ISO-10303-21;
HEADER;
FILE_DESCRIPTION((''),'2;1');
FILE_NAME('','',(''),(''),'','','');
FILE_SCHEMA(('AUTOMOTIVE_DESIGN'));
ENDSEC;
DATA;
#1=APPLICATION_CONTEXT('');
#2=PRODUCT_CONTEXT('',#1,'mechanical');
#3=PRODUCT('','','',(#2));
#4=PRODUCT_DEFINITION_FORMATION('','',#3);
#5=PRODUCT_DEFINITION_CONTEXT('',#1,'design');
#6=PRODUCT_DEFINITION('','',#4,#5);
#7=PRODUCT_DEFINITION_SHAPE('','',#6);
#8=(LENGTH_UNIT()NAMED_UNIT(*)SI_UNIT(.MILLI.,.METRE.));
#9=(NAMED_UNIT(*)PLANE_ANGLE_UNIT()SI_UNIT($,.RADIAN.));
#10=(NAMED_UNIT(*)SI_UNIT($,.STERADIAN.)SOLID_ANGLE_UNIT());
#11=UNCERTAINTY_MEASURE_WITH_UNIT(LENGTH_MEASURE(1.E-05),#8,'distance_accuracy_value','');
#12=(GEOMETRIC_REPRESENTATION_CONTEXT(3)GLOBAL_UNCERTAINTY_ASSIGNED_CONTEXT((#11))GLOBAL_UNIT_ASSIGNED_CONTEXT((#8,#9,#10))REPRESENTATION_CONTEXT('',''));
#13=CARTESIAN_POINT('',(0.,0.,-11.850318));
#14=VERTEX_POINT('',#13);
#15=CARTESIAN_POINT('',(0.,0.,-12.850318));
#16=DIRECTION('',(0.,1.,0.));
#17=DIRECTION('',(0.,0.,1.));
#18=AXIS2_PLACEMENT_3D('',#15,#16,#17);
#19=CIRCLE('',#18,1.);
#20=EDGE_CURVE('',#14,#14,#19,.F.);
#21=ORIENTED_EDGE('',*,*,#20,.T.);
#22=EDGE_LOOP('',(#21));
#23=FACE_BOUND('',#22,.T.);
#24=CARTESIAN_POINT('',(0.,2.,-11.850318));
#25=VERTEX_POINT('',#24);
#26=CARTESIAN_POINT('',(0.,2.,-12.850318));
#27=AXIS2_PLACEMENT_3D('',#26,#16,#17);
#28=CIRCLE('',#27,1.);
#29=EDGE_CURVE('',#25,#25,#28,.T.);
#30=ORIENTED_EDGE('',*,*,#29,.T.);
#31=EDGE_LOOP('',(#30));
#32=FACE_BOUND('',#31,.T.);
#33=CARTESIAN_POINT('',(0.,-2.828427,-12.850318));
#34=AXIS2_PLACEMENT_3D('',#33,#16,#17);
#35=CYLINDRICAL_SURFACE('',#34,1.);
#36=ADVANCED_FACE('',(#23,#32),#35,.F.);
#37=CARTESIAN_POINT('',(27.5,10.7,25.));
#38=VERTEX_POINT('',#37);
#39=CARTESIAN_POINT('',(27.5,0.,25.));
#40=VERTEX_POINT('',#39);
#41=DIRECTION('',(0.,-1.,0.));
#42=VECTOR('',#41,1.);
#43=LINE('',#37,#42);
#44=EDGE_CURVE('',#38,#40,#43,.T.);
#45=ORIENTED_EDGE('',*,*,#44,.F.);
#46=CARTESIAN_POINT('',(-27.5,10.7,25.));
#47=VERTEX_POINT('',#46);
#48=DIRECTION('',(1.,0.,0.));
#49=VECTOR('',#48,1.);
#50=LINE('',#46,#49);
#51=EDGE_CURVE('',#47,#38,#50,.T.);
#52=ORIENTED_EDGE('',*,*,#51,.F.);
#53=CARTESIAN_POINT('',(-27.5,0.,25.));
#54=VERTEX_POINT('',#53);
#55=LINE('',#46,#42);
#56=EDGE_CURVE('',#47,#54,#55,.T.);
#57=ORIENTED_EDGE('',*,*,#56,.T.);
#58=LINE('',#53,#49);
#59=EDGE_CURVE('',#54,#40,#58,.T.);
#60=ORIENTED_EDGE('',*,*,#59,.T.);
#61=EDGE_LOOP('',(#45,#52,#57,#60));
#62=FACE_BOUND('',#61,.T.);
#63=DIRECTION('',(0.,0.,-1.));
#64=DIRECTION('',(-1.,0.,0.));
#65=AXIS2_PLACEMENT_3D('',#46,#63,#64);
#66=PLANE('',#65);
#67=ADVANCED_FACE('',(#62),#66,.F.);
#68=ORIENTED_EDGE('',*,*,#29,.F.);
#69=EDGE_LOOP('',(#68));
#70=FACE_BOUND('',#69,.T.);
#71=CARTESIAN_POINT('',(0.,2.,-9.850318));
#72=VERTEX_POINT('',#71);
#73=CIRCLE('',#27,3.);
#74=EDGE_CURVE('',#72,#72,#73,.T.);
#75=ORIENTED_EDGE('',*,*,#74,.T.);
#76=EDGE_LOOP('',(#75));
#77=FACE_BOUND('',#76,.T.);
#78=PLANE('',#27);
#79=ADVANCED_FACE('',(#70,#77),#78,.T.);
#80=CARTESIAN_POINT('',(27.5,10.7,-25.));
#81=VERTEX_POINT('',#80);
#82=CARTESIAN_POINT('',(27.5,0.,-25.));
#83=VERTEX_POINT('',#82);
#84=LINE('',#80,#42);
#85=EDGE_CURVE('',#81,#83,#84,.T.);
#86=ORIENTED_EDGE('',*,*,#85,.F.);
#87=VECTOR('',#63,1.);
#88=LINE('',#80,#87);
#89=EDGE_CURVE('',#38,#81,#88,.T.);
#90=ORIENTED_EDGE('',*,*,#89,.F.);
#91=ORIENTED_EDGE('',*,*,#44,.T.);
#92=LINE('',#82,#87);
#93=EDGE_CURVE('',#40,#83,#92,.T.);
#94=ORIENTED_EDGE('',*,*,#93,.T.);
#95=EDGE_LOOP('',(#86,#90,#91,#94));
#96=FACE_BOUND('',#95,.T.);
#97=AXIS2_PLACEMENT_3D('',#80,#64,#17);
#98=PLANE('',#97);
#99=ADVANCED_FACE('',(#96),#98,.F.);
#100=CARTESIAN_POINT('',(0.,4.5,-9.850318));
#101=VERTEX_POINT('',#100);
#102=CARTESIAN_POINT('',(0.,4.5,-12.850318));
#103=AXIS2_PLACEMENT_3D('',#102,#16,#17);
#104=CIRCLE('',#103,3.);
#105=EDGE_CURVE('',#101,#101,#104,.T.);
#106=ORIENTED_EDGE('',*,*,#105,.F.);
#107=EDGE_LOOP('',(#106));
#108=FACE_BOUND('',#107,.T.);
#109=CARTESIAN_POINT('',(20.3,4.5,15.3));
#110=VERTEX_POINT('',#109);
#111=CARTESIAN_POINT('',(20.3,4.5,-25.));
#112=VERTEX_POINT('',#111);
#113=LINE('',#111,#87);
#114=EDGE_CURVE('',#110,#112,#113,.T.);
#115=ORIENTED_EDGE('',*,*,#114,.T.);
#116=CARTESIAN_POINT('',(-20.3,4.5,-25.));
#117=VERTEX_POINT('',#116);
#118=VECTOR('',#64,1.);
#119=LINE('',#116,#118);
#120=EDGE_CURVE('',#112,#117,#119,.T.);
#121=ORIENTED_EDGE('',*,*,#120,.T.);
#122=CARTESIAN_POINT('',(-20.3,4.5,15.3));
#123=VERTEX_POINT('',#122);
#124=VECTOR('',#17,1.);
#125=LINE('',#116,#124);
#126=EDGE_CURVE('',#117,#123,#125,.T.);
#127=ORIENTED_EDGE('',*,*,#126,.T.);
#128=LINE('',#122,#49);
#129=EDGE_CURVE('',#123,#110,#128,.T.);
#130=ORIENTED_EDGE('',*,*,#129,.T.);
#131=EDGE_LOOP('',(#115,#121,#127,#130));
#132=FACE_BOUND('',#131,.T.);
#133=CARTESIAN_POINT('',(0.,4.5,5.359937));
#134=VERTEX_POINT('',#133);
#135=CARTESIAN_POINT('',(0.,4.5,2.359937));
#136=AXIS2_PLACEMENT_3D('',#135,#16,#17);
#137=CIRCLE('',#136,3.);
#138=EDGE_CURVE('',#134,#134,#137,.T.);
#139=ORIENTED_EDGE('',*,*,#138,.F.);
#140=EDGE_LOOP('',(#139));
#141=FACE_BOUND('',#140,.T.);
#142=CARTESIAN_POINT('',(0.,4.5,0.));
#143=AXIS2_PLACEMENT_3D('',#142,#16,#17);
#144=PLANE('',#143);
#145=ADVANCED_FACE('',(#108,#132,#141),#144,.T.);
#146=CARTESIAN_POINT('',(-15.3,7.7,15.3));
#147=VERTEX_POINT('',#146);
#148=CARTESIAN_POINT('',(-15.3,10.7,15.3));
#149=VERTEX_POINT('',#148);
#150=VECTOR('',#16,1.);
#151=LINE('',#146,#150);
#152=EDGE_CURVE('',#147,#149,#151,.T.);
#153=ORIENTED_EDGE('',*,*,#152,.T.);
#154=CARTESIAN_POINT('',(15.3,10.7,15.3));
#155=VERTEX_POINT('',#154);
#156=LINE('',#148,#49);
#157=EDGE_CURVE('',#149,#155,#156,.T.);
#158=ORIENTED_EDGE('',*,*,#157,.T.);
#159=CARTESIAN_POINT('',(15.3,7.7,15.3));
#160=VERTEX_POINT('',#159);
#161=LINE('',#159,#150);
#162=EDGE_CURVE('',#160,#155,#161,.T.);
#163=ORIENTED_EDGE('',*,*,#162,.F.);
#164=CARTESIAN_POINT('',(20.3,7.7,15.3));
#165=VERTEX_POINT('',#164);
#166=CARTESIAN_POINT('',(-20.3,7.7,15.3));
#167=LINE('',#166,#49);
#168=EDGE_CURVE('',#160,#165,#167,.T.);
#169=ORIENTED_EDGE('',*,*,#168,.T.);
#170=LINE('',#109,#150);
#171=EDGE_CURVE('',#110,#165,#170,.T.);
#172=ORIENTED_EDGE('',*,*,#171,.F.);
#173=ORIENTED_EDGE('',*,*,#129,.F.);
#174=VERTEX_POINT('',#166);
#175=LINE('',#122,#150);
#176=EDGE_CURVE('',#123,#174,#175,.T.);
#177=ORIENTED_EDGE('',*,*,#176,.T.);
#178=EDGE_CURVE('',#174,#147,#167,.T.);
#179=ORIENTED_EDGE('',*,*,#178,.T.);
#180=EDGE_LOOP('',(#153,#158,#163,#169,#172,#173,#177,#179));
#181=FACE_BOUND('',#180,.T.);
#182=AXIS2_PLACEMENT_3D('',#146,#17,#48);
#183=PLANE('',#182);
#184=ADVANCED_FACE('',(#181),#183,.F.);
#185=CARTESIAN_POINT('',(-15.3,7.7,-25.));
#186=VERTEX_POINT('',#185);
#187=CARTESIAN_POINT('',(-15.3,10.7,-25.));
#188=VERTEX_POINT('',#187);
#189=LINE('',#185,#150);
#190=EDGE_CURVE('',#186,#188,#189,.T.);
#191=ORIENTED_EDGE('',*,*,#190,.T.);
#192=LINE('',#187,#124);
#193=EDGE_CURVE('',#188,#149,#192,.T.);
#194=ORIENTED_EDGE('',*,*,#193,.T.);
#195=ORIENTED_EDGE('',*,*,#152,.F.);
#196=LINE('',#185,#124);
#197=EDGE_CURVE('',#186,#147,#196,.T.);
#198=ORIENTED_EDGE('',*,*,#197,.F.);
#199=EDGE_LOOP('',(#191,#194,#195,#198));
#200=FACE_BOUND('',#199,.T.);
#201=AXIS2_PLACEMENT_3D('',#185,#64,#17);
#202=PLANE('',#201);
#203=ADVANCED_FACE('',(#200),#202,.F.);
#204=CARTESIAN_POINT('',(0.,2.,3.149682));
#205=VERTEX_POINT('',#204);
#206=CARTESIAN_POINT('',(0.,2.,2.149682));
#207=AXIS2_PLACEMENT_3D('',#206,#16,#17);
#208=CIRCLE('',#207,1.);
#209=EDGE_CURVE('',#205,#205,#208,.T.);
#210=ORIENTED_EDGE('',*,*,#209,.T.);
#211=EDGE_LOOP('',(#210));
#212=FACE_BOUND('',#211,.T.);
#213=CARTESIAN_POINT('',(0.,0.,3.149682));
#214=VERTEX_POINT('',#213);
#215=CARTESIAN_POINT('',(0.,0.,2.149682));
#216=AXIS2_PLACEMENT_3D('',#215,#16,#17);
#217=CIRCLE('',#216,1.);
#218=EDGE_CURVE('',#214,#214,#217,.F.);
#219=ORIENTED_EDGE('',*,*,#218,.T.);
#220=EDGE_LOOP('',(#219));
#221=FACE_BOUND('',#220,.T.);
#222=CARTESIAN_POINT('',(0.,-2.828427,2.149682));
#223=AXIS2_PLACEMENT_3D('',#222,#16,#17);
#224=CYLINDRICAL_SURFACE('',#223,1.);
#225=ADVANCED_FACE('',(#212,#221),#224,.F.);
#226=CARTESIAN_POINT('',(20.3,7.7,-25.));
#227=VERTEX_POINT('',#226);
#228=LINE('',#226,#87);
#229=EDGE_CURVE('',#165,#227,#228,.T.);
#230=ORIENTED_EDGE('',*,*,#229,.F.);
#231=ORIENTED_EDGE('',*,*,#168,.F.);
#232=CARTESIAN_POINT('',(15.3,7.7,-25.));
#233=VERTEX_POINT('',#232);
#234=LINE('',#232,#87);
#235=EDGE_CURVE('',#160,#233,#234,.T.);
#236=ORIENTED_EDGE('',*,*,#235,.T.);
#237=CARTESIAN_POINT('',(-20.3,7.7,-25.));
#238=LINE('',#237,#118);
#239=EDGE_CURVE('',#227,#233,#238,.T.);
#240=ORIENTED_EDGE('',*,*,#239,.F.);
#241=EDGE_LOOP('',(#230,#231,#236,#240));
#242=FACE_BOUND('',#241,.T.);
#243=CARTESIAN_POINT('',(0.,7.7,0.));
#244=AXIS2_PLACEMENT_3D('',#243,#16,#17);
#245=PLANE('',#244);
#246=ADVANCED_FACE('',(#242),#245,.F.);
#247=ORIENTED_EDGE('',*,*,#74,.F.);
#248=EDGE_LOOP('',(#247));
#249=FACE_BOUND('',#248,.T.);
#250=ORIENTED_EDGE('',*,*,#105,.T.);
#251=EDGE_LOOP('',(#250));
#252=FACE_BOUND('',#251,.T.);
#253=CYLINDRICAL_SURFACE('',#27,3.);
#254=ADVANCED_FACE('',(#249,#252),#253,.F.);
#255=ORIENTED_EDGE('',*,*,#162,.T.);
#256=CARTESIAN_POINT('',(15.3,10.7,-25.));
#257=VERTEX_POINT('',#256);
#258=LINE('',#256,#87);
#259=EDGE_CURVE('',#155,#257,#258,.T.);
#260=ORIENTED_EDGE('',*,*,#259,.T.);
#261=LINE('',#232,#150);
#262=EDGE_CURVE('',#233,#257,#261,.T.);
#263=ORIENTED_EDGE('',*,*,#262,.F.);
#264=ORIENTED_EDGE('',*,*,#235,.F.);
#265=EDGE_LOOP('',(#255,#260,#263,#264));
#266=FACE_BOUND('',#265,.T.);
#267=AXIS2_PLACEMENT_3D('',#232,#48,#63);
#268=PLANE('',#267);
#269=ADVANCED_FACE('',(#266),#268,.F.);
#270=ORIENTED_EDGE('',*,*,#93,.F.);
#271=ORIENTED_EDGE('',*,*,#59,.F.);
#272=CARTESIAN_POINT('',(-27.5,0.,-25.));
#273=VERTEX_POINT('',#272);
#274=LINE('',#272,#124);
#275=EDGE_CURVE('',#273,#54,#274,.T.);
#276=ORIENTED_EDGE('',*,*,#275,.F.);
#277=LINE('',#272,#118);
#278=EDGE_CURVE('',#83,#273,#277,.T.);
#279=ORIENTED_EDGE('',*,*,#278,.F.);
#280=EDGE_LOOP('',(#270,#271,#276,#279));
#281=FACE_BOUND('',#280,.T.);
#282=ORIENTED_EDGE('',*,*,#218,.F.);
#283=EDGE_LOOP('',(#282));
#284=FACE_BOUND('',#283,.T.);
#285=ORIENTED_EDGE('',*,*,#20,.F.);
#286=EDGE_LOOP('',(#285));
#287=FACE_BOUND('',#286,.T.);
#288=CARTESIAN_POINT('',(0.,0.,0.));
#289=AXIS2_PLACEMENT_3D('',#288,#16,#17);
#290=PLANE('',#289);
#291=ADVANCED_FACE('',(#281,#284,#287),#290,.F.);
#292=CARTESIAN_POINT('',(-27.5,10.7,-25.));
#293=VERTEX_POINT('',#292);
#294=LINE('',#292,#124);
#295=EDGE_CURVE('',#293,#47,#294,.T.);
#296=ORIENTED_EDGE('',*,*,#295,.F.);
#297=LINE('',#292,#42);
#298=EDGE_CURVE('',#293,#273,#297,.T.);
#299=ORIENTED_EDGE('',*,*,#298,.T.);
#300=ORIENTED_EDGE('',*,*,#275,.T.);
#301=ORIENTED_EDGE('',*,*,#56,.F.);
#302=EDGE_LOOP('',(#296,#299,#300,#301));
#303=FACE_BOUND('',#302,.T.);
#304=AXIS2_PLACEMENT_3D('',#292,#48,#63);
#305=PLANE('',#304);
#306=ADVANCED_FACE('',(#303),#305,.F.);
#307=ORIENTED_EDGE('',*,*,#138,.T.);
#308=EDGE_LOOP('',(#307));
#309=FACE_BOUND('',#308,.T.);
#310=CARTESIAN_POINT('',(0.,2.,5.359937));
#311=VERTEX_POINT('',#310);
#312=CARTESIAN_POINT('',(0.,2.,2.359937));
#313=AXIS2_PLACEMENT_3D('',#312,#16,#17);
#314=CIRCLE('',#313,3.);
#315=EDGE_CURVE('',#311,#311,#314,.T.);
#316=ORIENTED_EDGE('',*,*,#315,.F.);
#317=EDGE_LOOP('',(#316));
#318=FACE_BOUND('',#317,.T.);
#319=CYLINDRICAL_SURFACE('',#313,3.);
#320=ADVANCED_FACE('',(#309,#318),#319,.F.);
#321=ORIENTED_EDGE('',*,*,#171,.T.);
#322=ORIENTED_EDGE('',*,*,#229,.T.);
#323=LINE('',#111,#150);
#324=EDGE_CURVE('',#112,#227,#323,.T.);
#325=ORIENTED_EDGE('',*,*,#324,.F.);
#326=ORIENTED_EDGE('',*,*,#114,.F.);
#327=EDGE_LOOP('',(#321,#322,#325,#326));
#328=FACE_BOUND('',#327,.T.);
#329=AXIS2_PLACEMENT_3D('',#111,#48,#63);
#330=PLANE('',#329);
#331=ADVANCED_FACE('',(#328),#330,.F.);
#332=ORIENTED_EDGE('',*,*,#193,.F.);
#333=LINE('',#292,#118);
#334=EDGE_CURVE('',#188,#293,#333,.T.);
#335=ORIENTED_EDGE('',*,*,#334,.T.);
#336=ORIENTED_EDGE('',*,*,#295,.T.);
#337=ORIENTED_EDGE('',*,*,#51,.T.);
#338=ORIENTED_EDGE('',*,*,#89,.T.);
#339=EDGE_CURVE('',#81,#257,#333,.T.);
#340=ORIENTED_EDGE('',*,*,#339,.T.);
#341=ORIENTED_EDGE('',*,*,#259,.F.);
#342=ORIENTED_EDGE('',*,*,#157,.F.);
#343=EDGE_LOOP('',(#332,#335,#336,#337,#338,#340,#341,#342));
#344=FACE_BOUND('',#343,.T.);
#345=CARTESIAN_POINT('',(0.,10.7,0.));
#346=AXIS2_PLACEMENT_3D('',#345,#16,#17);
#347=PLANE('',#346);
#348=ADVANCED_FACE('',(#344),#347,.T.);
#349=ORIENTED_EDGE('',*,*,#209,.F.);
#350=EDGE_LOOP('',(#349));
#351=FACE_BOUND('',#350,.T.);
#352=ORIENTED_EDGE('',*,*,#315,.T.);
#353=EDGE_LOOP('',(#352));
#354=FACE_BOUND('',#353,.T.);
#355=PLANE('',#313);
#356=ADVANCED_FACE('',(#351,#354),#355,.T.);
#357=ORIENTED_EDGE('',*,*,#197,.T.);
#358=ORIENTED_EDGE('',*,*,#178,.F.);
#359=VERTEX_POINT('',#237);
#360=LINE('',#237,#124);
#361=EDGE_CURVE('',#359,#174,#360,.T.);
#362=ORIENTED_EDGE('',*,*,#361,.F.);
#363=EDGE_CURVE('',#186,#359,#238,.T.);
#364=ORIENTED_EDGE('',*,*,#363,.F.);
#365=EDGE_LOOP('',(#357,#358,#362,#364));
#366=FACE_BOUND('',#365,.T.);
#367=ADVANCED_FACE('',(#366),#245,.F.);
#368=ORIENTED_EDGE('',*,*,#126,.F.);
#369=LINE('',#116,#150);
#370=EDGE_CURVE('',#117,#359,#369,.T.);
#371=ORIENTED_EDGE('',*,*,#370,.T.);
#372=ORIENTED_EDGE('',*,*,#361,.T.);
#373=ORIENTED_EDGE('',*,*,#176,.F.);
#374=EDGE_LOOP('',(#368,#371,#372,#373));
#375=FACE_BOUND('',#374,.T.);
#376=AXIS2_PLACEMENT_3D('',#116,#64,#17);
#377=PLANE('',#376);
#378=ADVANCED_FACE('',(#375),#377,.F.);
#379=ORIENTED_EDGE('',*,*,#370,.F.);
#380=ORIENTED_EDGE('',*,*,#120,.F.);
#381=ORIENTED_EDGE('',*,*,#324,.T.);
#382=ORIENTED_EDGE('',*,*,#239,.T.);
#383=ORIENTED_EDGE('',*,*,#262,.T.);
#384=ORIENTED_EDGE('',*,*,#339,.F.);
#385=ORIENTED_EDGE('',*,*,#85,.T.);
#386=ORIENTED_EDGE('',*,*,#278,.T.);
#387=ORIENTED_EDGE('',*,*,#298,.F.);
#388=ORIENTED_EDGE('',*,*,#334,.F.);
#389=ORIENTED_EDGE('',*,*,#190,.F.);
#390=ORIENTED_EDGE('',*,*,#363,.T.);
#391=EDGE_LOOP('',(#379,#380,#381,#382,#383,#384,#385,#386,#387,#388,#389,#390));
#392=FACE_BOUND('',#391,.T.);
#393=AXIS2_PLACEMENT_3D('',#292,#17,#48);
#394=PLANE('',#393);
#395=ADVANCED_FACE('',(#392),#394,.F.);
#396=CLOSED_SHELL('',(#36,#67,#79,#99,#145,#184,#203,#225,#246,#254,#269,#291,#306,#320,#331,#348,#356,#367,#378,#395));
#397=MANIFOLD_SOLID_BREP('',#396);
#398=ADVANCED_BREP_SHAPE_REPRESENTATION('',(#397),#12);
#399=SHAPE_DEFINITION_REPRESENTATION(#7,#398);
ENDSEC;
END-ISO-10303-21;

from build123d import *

# Parameters (mm, degrees)
SKETCH1_W           = 55
SKETCH1_H           = 50
BOSS_EXTRUDE1_DEPTH = 10.7
SKETCH2_W           = 30.6
SKETCH2_H           = 40.3
CUT_EXTRUDE2_DEPTH  = 3
SKETCH4_W           = 40.6
SKETCH4_H           = 40.3
CUT_EXTRUDE3_DEPTH  = 3.2
SKETCH13_R          = 3
CUT_EXTRUDE4_DEPTH  = 2.5
SKETCH14_R          = 1
CUT_EXTRUDE5_DEPTH  = 2


with BuildPart() as part:
    # Sketch1 → Boss-Extrude1 (new body)
    with BuildSketch(Plane(origin=(0, 0, 0), x_dir=(1, 0, 0), z_dir=(0, 1, 0))):
        Rectangle(SKETCH1_W, SKETCH1_H)
    extrude(amount=BOSS_EXTRUDE1_DEPTH)

    # Sketch2 → Cut-Extrude2 (cut)
    with BuildSketch(Plane(origin=(0, 10.7, 0), x_dir=(1, 0, 0), z_dir=(0, 1, 0))):
        with Locations((0, 4.85)):
            Rectangle(SKETCH2_W, SKETCH2_H)
    extrude(amount=-CUT_EXTRUDE2_DEPTH, mode=Mode.SUBTRACT)

    # Sketch4 → Cut-Extrude3 (cut)
    with BuildSketch(Plane(origin=(0, 7.7, 0), x_dir=(1, 0, 0), z_dir=(0, 1, 0))):
        with Locations((0, 4.85)):
            Rectangle(SKETCH4_W, SKETCH4_H)
    extrude(amount=-CUT_EXTRUDE3_DEPTH, mode=Mode.SUBTRACT)

    # Sketch13 → Cut-Extrude4 (cut)
    with BuildSketch(Plane(origin=(0, 4.5, 0), x_dir=(1, 0, 0), z_dir=(0, 1, 0))):
        with Locations(Location((0, 12.850318005, 0), (0, 0, 270))):
            Circle(SKETCH13_R)
        with Locations(Location((0, -2.359937211, 0), (0, 0, 270))):
            Circle(SKETCH13_R)
    extrude(amount=-CUT_EXTRUDE4_DEPTH, mode=Mode.SUBTRACT)

    # Sketch14 → Cut-Extrude5 (cut)
    with BuildSketch(Plane(origin=(0, 2, 0), x_dir=(1, 0, 0), z_dir=(0, 1, 0))):
        with Locations(Location((0, 12.850318005, 0), (0, 0, 270))):
            Circle(SKETCH14_R)
        with Locations(Location((0, -2.149681995, 0), (0, 0, 270))):
            Circle(SKETCH14_R)
    extrude(amount=-CUT_EXTRUDE5_DEPTH, mode=Mode.SUBTRACT)


solid = part.part
